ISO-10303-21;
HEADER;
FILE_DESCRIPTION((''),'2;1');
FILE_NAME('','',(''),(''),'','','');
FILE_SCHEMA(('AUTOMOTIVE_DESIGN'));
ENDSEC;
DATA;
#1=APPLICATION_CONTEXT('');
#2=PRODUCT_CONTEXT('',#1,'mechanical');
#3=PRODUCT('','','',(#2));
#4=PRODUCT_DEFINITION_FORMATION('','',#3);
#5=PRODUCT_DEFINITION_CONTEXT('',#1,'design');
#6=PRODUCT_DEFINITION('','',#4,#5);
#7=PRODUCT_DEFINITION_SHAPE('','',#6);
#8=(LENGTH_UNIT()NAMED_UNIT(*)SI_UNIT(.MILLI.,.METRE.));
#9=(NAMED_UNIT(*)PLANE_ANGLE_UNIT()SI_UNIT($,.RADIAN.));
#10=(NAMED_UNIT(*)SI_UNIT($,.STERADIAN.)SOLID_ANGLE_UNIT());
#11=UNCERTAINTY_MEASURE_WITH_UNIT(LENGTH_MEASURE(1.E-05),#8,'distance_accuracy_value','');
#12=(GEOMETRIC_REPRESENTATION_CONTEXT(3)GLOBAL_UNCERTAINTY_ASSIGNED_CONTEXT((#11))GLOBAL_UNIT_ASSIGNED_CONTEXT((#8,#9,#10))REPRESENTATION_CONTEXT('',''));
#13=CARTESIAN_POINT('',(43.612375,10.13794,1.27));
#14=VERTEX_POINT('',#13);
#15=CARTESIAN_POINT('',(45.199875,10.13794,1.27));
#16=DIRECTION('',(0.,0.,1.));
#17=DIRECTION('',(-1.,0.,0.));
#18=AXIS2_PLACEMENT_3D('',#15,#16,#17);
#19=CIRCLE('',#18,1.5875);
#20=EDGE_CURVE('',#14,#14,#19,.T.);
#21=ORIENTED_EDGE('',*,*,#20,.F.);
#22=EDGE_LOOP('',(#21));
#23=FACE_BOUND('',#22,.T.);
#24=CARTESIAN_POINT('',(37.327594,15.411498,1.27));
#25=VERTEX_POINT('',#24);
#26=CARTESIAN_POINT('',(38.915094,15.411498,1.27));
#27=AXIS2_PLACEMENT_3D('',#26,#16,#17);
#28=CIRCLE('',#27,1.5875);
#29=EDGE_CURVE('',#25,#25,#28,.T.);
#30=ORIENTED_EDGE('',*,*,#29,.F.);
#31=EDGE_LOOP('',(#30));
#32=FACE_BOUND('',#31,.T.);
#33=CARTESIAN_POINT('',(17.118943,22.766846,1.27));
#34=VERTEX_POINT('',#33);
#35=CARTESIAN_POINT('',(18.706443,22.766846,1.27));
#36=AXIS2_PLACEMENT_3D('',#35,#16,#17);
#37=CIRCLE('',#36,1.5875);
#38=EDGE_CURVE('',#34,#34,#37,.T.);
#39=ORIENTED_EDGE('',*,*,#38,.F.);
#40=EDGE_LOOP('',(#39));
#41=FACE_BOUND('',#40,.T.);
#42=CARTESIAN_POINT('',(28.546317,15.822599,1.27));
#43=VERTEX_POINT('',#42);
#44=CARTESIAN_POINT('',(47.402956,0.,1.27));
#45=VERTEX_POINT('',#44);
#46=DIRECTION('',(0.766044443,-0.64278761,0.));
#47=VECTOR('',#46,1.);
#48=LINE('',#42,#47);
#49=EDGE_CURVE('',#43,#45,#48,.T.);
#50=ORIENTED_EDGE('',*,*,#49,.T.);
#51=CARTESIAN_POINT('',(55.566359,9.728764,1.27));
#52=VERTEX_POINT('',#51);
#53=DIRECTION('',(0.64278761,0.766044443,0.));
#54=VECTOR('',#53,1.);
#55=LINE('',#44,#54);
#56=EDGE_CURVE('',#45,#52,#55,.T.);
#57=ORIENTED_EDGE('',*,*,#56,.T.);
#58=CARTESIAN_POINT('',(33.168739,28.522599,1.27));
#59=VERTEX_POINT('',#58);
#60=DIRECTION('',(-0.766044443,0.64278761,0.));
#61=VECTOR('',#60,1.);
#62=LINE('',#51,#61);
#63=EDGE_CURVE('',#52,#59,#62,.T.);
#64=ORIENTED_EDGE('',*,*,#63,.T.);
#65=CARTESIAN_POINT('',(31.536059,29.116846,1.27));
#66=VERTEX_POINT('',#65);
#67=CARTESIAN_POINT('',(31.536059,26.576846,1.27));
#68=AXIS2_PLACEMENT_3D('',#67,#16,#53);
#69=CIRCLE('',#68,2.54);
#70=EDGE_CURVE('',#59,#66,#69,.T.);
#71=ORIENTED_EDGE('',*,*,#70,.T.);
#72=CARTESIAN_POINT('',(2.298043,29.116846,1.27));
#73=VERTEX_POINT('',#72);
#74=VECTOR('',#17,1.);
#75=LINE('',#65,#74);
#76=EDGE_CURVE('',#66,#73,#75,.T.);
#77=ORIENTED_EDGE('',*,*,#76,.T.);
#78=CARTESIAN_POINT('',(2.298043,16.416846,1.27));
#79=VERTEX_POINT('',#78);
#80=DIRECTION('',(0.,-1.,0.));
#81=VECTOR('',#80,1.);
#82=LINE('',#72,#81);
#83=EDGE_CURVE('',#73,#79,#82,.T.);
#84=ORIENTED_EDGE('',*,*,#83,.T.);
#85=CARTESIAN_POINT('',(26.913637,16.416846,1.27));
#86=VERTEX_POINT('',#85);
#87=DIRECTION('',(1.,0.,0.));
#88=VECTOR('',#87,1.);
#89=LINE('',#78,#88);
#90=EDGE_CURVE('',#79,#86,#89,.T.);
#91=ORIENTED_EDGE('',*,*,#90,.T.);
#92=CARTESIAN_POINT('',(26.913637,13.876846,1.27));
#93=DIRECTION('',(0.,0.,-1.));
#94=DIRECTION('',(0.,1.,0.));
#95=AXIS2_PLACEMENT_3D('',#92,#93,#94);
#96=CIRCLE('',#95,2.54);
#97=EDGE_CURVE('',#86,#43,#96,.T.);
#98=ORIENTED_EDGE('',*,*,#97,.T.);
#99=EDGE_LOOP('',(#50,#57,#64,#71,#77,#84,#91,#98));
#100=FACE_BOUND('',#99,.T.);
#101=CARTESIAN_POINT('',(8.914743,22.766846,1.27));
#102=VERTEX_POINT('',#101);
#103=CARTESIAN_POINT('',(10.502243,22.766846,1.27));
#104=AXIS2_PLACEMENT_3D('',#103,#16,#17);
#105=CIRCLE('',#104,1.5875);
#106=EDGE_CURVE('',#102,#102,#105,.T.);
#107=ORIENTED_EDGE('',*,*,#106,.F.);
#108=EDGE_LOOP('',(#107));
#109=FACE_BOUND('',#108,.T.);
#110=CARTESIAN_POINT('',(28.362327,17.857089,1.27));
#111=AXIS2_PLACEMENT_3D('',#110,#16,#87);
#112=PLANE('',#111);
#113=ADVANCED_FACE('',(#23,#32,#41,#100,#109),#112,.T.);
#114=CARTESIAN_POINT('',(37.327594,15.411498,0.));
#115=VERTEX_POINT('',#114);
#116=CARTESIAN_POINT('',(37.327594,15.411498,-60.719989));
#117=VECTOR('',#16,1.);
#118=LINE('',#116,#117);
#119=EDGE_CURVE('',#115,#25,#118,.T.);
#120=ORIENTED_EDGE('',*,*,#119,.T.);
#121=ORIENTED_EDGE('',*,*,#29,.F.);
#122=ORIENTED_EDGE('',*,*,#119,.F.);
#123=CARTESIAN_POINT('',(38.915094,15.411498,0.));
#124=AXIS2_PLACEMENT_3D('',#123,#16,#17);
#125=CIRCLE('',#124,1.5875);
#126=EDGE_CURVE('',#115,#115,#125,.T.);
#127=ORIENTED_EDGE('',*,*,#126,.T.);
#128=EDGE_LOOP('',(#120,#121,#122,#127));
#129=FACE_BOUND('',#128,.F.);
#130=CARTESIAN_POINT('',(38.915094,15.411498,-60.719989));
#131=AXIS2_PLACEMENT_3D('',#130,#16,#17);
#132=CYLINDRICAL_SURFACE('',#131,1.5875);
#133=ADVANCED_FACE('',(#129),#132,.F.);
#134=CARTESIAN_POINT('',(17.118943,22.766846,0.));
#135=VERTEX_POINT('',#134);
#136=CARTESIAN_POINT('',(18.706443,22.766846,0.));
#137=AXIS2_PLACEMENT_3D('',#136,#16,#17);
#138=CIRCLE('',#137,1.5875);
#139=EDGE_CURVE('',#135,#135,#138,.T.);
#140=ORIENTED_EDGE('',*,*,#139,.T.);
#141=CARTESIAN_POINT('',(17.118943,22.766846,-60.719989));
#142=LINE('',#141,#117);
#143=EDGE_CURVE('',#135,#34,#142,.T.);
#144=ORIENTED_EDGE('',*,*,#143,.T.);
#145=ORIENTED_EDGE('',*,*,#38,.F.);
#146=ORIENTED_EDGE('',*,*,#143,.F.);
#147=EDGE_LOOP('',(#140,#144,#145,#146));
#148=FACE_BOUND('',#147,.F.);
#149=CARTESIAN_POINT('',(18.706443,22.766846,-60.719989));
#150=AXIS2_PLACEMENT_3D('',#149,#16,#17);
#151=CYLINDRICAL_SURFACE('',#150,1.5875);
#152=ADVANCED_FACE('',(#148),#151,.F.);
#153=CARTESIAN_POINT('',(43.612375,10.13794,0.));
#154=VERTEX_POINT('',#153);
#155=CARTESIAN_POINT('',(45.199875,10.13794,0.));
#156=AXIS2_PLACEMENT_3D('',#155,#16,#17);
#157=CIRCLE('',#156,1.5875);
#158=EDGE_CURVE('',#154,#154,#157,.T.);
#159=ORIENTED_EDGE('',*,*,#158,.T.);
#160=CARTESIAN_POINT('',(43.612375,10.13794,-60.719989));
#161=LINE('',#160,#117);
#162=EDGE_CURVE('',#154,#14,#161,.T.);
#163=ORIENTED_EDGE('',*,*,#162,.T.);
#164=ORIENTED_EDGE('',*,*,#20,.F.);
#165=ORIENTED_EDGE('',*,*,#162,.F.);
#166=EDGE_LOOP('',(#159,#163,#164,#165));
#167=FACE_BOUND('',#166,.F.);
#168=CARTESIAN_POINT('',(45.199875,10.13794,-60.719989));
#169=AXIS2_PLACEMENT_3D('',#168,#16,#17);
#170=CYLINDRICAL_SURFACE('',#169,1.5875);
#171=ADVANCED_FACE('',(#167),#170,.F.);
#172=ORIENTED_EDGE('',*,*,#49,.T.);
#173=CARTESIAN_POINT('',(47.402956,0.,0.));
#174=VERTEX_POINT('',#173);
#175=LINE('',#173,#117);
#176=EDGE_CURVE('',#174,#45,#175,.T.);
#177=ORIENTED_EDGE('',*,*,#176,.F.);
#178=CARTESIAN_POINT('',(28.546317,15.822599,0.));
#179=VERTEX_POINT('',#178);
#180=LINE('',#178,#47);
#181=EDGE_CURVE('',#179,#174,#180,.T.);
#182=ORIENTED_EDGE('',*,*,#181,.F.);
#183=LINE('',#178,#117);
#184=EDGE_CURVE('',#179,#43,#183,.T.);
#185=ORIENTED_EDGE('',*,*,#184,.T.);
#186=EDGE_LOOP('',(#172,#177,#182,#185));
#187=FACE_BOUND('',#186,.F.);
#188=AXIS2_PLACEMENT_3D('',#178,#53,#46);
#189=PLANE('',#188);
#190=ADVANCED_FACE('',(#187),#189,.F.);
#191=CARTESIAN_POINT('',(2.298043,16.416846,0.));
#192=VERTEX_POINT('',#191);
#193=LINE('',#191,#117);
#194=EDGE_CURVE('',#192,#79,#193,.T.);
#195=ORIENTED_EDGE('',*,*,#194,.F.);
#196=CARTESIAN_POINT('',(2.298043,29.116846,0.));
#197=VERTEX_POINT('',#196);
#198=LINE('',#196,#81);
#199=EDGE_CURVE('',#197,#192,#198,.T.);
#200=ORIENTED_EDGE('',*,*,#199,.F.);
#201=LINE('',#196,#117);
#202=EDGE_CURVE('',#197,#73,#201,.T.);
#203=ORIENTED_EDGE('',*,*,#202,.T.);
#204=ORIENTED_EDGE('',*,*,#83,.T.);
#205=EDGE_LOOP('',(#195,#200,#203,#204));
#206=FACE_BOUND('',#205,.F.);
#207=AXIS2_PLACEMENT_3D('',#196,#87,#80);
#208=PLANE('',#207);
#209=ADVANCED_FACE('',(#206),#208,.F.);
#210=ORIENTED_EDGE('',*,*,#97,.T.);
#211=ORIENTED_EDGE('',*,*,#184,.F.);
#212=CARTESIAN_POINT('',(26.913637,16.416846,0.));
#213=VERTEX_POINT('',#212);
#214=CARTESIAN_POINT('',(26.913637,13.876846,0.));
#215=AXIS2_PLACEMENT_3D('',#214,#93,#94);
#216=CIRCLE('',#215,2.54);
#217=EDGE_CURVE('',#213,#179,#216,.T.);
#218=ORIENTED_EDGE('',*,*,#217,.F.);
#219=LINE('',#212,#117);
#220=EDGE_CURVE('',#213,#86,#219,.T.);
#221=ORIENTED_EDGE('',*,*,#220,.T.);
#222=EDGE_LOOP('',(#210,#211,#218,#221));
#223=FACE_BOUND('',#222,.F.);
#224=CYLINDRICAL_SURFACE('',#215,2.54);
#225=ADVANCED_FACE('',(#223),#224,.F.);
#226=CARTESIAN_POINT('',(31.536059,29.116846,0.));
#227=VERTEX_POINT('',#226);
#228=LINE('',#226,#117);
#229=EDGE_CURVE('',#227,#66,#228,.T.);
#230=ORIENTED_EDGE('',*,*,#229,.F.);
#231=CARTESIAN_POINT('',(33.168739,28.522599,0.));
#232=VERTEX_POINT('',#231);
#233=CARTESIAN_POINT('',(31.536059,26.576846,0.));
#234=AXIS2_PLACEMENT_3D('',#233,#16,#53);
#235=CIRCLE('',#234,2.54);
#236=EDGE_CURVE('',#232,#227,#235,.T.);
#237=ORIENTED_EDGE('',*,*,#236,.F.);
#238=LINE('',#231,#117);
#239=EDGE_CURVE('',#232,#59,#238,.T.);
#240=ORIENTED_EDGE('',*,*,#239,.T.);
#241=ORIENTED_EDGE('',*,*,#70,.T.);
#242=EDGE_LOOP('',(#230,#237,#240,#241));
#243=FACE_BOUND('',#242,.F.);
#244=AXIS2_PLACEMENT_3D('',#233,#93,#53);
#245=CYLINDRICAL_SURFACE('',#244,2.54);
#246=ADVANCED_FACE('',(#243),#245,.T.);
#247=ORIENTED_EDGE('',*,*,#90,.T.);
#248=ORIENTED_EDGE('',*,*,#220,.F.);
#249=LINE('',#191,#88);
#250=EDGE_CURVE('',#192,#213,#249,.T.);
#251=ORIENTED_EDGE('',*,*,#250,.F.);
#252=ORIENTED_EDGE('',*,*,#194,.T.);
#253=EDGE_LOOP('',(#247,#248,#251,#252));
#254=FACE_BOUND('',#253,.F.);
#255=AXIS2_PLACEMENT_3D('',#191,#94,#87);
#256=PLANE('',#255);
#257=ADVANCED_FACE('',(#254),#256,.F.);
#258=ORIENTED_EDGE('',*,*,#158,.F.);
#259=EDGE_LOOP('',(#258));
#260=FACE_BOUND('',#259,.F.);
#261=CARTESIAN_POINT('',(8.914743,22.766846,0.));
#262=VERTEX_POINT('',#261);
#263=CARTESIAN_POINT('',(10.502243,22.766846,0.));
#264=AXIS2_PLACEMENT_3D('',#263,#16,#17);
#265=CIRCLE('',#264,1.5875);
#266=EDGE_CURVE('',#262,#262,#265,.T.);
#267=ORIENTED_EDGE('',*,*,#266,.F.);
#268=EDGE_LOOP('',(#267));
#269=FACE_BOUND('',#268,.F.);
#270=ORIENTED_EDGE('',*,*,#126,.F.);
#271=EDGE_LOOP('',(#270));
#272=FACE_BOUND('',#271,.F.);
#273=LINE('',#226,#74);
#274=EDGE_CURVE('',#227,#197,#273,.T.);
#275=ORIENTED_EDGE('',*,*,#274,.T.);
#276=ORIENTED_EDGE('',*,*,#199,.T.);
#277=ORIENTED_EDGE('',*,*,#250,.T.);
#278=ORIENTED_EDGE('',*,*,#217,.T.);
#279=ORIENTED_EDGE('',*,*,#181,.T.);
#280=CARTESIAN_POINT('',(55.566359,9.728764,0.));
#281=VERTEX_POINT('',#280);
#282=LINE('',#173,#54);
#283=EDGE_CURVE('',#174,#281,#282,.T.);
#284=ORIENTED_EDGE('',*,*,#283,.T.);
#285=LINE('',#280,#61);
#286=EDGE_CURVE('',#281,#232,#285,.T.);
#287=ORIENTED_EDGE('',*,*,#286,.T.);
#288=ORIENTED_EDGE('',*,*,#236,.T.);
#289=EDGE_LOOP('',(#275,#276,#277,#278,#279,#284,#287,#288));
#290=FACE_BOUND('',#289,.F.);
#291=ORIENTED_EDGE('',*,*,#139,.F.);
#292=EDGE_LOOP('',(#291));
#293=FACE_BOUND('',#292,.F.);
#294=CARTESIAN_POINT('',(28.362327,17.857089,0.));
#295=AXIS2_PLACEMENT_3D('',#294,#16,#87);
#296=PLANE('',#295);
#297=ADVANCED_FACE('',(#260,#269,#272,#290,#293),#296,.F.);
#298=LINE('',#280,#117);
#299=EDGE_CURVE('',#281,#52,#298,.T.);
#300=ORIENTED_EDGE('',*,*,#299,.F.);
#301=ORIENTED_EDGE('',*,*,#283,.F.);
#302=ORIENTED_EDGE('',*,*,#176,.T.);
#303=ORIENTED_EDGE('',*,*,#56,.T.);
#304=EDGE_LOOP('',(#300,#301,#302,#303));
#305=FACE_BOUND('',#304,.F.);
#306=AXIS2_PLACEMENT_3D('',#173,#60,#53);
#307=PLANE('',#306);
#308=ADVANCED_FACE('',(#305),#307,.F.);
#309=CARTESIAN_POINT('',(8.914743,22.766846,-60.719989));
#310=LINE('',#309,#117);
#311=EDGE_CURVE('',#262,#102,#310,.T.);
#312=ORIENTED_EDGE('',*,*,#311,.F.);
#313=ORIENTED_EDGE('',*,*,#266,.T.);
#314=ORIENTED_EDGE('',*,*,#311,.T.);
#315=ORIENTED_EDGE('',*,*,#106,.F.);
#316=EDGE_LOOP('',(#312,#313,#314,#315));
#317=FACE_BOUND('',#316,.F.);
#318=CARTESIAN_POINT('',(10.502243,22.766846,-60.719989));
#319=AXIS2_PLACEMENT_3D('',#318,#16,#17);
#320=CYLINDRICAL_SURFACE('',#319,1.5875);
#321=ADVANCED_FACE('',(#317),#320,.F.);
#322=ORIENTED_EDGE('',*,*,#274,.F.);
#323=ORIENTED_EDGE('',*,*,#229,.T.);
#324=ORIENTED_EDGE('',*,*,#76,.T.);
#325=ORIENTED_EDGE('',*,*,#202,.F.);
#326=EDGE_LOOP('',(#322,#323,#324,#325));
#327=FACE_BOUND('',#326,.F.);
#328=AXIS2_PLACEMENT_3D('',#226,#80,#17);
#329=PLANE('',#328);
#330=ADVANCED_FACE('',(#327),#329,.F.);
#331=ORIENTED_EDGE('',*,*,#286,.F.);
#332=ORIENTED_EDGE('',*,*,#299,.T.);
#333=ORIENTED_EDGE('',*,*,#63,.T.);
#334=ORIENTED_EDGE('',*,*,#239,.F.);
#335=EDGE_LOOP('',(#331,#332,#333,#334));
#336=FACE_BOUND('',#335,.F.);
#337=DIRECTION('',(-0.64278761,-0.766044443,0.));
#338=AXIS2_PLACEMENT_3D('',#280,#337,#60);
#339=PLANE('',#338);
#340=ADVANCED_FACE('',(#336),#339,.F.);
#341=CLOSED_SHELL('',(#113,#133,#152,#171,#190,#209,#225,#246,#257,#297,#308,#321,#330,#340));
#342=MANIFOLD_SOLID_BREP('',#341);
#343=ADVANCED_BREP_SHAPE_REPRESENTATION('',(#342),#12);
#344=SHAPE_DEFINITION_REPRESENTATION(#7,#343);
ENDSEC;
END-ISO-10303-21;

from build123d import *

# Parameters (mm, degrees)
F1_DEPTH = 1.27
F2_D     = 3.175


with BuildPart() as f1:
    # F0 (on Top) → F1 (new body)
    with BuildSketch(Plane.XY):
        with BuildLine():
            Line((31.536058659, 29.1168457048), (2.298043054, 29.1168457048))
            Line((2.298043054, 29.1168457048), (2.298043054, 16.4168457048))
            Line((2.298043054, 16.4168457048), (26.9136366838, 16.4168457048))
            ThreePointArc((26.9136366838, 16.4168457048), (27.7823678479, 16.2636649616), (28.5463172124, 15.8225985903))
            Line((28.5463172124, 15.8225985903), (47.4029559266, 0))
            Line((47.4029559266, 0), (55.5663585696, 9.7287644276))
            Line((55.5663585696, 9.7287644276), (33.1687391876, 28.5225985903))
            ThreePointArc((33.1687391876, 28.5225985903), (32.404789823, 28.9636649616), (31.536058659, 29.1168457048))
        make_face()
    extrude(amount=F1_DEPTH)

    # F2 (through all)
    with Locations(Plane(origin=(0, 0, 0), x_dir=(1, 0, 0), z_dir=(0, 0, -1))):
        with Locations((10.502243054, -22.7668457048), (18.706443054, -22.7668457048), (38.9150936076, -15.4114984286), (45.1998754279, -10.1379403212)):
            Hole(F2_D / 2)


solid = f1.part
